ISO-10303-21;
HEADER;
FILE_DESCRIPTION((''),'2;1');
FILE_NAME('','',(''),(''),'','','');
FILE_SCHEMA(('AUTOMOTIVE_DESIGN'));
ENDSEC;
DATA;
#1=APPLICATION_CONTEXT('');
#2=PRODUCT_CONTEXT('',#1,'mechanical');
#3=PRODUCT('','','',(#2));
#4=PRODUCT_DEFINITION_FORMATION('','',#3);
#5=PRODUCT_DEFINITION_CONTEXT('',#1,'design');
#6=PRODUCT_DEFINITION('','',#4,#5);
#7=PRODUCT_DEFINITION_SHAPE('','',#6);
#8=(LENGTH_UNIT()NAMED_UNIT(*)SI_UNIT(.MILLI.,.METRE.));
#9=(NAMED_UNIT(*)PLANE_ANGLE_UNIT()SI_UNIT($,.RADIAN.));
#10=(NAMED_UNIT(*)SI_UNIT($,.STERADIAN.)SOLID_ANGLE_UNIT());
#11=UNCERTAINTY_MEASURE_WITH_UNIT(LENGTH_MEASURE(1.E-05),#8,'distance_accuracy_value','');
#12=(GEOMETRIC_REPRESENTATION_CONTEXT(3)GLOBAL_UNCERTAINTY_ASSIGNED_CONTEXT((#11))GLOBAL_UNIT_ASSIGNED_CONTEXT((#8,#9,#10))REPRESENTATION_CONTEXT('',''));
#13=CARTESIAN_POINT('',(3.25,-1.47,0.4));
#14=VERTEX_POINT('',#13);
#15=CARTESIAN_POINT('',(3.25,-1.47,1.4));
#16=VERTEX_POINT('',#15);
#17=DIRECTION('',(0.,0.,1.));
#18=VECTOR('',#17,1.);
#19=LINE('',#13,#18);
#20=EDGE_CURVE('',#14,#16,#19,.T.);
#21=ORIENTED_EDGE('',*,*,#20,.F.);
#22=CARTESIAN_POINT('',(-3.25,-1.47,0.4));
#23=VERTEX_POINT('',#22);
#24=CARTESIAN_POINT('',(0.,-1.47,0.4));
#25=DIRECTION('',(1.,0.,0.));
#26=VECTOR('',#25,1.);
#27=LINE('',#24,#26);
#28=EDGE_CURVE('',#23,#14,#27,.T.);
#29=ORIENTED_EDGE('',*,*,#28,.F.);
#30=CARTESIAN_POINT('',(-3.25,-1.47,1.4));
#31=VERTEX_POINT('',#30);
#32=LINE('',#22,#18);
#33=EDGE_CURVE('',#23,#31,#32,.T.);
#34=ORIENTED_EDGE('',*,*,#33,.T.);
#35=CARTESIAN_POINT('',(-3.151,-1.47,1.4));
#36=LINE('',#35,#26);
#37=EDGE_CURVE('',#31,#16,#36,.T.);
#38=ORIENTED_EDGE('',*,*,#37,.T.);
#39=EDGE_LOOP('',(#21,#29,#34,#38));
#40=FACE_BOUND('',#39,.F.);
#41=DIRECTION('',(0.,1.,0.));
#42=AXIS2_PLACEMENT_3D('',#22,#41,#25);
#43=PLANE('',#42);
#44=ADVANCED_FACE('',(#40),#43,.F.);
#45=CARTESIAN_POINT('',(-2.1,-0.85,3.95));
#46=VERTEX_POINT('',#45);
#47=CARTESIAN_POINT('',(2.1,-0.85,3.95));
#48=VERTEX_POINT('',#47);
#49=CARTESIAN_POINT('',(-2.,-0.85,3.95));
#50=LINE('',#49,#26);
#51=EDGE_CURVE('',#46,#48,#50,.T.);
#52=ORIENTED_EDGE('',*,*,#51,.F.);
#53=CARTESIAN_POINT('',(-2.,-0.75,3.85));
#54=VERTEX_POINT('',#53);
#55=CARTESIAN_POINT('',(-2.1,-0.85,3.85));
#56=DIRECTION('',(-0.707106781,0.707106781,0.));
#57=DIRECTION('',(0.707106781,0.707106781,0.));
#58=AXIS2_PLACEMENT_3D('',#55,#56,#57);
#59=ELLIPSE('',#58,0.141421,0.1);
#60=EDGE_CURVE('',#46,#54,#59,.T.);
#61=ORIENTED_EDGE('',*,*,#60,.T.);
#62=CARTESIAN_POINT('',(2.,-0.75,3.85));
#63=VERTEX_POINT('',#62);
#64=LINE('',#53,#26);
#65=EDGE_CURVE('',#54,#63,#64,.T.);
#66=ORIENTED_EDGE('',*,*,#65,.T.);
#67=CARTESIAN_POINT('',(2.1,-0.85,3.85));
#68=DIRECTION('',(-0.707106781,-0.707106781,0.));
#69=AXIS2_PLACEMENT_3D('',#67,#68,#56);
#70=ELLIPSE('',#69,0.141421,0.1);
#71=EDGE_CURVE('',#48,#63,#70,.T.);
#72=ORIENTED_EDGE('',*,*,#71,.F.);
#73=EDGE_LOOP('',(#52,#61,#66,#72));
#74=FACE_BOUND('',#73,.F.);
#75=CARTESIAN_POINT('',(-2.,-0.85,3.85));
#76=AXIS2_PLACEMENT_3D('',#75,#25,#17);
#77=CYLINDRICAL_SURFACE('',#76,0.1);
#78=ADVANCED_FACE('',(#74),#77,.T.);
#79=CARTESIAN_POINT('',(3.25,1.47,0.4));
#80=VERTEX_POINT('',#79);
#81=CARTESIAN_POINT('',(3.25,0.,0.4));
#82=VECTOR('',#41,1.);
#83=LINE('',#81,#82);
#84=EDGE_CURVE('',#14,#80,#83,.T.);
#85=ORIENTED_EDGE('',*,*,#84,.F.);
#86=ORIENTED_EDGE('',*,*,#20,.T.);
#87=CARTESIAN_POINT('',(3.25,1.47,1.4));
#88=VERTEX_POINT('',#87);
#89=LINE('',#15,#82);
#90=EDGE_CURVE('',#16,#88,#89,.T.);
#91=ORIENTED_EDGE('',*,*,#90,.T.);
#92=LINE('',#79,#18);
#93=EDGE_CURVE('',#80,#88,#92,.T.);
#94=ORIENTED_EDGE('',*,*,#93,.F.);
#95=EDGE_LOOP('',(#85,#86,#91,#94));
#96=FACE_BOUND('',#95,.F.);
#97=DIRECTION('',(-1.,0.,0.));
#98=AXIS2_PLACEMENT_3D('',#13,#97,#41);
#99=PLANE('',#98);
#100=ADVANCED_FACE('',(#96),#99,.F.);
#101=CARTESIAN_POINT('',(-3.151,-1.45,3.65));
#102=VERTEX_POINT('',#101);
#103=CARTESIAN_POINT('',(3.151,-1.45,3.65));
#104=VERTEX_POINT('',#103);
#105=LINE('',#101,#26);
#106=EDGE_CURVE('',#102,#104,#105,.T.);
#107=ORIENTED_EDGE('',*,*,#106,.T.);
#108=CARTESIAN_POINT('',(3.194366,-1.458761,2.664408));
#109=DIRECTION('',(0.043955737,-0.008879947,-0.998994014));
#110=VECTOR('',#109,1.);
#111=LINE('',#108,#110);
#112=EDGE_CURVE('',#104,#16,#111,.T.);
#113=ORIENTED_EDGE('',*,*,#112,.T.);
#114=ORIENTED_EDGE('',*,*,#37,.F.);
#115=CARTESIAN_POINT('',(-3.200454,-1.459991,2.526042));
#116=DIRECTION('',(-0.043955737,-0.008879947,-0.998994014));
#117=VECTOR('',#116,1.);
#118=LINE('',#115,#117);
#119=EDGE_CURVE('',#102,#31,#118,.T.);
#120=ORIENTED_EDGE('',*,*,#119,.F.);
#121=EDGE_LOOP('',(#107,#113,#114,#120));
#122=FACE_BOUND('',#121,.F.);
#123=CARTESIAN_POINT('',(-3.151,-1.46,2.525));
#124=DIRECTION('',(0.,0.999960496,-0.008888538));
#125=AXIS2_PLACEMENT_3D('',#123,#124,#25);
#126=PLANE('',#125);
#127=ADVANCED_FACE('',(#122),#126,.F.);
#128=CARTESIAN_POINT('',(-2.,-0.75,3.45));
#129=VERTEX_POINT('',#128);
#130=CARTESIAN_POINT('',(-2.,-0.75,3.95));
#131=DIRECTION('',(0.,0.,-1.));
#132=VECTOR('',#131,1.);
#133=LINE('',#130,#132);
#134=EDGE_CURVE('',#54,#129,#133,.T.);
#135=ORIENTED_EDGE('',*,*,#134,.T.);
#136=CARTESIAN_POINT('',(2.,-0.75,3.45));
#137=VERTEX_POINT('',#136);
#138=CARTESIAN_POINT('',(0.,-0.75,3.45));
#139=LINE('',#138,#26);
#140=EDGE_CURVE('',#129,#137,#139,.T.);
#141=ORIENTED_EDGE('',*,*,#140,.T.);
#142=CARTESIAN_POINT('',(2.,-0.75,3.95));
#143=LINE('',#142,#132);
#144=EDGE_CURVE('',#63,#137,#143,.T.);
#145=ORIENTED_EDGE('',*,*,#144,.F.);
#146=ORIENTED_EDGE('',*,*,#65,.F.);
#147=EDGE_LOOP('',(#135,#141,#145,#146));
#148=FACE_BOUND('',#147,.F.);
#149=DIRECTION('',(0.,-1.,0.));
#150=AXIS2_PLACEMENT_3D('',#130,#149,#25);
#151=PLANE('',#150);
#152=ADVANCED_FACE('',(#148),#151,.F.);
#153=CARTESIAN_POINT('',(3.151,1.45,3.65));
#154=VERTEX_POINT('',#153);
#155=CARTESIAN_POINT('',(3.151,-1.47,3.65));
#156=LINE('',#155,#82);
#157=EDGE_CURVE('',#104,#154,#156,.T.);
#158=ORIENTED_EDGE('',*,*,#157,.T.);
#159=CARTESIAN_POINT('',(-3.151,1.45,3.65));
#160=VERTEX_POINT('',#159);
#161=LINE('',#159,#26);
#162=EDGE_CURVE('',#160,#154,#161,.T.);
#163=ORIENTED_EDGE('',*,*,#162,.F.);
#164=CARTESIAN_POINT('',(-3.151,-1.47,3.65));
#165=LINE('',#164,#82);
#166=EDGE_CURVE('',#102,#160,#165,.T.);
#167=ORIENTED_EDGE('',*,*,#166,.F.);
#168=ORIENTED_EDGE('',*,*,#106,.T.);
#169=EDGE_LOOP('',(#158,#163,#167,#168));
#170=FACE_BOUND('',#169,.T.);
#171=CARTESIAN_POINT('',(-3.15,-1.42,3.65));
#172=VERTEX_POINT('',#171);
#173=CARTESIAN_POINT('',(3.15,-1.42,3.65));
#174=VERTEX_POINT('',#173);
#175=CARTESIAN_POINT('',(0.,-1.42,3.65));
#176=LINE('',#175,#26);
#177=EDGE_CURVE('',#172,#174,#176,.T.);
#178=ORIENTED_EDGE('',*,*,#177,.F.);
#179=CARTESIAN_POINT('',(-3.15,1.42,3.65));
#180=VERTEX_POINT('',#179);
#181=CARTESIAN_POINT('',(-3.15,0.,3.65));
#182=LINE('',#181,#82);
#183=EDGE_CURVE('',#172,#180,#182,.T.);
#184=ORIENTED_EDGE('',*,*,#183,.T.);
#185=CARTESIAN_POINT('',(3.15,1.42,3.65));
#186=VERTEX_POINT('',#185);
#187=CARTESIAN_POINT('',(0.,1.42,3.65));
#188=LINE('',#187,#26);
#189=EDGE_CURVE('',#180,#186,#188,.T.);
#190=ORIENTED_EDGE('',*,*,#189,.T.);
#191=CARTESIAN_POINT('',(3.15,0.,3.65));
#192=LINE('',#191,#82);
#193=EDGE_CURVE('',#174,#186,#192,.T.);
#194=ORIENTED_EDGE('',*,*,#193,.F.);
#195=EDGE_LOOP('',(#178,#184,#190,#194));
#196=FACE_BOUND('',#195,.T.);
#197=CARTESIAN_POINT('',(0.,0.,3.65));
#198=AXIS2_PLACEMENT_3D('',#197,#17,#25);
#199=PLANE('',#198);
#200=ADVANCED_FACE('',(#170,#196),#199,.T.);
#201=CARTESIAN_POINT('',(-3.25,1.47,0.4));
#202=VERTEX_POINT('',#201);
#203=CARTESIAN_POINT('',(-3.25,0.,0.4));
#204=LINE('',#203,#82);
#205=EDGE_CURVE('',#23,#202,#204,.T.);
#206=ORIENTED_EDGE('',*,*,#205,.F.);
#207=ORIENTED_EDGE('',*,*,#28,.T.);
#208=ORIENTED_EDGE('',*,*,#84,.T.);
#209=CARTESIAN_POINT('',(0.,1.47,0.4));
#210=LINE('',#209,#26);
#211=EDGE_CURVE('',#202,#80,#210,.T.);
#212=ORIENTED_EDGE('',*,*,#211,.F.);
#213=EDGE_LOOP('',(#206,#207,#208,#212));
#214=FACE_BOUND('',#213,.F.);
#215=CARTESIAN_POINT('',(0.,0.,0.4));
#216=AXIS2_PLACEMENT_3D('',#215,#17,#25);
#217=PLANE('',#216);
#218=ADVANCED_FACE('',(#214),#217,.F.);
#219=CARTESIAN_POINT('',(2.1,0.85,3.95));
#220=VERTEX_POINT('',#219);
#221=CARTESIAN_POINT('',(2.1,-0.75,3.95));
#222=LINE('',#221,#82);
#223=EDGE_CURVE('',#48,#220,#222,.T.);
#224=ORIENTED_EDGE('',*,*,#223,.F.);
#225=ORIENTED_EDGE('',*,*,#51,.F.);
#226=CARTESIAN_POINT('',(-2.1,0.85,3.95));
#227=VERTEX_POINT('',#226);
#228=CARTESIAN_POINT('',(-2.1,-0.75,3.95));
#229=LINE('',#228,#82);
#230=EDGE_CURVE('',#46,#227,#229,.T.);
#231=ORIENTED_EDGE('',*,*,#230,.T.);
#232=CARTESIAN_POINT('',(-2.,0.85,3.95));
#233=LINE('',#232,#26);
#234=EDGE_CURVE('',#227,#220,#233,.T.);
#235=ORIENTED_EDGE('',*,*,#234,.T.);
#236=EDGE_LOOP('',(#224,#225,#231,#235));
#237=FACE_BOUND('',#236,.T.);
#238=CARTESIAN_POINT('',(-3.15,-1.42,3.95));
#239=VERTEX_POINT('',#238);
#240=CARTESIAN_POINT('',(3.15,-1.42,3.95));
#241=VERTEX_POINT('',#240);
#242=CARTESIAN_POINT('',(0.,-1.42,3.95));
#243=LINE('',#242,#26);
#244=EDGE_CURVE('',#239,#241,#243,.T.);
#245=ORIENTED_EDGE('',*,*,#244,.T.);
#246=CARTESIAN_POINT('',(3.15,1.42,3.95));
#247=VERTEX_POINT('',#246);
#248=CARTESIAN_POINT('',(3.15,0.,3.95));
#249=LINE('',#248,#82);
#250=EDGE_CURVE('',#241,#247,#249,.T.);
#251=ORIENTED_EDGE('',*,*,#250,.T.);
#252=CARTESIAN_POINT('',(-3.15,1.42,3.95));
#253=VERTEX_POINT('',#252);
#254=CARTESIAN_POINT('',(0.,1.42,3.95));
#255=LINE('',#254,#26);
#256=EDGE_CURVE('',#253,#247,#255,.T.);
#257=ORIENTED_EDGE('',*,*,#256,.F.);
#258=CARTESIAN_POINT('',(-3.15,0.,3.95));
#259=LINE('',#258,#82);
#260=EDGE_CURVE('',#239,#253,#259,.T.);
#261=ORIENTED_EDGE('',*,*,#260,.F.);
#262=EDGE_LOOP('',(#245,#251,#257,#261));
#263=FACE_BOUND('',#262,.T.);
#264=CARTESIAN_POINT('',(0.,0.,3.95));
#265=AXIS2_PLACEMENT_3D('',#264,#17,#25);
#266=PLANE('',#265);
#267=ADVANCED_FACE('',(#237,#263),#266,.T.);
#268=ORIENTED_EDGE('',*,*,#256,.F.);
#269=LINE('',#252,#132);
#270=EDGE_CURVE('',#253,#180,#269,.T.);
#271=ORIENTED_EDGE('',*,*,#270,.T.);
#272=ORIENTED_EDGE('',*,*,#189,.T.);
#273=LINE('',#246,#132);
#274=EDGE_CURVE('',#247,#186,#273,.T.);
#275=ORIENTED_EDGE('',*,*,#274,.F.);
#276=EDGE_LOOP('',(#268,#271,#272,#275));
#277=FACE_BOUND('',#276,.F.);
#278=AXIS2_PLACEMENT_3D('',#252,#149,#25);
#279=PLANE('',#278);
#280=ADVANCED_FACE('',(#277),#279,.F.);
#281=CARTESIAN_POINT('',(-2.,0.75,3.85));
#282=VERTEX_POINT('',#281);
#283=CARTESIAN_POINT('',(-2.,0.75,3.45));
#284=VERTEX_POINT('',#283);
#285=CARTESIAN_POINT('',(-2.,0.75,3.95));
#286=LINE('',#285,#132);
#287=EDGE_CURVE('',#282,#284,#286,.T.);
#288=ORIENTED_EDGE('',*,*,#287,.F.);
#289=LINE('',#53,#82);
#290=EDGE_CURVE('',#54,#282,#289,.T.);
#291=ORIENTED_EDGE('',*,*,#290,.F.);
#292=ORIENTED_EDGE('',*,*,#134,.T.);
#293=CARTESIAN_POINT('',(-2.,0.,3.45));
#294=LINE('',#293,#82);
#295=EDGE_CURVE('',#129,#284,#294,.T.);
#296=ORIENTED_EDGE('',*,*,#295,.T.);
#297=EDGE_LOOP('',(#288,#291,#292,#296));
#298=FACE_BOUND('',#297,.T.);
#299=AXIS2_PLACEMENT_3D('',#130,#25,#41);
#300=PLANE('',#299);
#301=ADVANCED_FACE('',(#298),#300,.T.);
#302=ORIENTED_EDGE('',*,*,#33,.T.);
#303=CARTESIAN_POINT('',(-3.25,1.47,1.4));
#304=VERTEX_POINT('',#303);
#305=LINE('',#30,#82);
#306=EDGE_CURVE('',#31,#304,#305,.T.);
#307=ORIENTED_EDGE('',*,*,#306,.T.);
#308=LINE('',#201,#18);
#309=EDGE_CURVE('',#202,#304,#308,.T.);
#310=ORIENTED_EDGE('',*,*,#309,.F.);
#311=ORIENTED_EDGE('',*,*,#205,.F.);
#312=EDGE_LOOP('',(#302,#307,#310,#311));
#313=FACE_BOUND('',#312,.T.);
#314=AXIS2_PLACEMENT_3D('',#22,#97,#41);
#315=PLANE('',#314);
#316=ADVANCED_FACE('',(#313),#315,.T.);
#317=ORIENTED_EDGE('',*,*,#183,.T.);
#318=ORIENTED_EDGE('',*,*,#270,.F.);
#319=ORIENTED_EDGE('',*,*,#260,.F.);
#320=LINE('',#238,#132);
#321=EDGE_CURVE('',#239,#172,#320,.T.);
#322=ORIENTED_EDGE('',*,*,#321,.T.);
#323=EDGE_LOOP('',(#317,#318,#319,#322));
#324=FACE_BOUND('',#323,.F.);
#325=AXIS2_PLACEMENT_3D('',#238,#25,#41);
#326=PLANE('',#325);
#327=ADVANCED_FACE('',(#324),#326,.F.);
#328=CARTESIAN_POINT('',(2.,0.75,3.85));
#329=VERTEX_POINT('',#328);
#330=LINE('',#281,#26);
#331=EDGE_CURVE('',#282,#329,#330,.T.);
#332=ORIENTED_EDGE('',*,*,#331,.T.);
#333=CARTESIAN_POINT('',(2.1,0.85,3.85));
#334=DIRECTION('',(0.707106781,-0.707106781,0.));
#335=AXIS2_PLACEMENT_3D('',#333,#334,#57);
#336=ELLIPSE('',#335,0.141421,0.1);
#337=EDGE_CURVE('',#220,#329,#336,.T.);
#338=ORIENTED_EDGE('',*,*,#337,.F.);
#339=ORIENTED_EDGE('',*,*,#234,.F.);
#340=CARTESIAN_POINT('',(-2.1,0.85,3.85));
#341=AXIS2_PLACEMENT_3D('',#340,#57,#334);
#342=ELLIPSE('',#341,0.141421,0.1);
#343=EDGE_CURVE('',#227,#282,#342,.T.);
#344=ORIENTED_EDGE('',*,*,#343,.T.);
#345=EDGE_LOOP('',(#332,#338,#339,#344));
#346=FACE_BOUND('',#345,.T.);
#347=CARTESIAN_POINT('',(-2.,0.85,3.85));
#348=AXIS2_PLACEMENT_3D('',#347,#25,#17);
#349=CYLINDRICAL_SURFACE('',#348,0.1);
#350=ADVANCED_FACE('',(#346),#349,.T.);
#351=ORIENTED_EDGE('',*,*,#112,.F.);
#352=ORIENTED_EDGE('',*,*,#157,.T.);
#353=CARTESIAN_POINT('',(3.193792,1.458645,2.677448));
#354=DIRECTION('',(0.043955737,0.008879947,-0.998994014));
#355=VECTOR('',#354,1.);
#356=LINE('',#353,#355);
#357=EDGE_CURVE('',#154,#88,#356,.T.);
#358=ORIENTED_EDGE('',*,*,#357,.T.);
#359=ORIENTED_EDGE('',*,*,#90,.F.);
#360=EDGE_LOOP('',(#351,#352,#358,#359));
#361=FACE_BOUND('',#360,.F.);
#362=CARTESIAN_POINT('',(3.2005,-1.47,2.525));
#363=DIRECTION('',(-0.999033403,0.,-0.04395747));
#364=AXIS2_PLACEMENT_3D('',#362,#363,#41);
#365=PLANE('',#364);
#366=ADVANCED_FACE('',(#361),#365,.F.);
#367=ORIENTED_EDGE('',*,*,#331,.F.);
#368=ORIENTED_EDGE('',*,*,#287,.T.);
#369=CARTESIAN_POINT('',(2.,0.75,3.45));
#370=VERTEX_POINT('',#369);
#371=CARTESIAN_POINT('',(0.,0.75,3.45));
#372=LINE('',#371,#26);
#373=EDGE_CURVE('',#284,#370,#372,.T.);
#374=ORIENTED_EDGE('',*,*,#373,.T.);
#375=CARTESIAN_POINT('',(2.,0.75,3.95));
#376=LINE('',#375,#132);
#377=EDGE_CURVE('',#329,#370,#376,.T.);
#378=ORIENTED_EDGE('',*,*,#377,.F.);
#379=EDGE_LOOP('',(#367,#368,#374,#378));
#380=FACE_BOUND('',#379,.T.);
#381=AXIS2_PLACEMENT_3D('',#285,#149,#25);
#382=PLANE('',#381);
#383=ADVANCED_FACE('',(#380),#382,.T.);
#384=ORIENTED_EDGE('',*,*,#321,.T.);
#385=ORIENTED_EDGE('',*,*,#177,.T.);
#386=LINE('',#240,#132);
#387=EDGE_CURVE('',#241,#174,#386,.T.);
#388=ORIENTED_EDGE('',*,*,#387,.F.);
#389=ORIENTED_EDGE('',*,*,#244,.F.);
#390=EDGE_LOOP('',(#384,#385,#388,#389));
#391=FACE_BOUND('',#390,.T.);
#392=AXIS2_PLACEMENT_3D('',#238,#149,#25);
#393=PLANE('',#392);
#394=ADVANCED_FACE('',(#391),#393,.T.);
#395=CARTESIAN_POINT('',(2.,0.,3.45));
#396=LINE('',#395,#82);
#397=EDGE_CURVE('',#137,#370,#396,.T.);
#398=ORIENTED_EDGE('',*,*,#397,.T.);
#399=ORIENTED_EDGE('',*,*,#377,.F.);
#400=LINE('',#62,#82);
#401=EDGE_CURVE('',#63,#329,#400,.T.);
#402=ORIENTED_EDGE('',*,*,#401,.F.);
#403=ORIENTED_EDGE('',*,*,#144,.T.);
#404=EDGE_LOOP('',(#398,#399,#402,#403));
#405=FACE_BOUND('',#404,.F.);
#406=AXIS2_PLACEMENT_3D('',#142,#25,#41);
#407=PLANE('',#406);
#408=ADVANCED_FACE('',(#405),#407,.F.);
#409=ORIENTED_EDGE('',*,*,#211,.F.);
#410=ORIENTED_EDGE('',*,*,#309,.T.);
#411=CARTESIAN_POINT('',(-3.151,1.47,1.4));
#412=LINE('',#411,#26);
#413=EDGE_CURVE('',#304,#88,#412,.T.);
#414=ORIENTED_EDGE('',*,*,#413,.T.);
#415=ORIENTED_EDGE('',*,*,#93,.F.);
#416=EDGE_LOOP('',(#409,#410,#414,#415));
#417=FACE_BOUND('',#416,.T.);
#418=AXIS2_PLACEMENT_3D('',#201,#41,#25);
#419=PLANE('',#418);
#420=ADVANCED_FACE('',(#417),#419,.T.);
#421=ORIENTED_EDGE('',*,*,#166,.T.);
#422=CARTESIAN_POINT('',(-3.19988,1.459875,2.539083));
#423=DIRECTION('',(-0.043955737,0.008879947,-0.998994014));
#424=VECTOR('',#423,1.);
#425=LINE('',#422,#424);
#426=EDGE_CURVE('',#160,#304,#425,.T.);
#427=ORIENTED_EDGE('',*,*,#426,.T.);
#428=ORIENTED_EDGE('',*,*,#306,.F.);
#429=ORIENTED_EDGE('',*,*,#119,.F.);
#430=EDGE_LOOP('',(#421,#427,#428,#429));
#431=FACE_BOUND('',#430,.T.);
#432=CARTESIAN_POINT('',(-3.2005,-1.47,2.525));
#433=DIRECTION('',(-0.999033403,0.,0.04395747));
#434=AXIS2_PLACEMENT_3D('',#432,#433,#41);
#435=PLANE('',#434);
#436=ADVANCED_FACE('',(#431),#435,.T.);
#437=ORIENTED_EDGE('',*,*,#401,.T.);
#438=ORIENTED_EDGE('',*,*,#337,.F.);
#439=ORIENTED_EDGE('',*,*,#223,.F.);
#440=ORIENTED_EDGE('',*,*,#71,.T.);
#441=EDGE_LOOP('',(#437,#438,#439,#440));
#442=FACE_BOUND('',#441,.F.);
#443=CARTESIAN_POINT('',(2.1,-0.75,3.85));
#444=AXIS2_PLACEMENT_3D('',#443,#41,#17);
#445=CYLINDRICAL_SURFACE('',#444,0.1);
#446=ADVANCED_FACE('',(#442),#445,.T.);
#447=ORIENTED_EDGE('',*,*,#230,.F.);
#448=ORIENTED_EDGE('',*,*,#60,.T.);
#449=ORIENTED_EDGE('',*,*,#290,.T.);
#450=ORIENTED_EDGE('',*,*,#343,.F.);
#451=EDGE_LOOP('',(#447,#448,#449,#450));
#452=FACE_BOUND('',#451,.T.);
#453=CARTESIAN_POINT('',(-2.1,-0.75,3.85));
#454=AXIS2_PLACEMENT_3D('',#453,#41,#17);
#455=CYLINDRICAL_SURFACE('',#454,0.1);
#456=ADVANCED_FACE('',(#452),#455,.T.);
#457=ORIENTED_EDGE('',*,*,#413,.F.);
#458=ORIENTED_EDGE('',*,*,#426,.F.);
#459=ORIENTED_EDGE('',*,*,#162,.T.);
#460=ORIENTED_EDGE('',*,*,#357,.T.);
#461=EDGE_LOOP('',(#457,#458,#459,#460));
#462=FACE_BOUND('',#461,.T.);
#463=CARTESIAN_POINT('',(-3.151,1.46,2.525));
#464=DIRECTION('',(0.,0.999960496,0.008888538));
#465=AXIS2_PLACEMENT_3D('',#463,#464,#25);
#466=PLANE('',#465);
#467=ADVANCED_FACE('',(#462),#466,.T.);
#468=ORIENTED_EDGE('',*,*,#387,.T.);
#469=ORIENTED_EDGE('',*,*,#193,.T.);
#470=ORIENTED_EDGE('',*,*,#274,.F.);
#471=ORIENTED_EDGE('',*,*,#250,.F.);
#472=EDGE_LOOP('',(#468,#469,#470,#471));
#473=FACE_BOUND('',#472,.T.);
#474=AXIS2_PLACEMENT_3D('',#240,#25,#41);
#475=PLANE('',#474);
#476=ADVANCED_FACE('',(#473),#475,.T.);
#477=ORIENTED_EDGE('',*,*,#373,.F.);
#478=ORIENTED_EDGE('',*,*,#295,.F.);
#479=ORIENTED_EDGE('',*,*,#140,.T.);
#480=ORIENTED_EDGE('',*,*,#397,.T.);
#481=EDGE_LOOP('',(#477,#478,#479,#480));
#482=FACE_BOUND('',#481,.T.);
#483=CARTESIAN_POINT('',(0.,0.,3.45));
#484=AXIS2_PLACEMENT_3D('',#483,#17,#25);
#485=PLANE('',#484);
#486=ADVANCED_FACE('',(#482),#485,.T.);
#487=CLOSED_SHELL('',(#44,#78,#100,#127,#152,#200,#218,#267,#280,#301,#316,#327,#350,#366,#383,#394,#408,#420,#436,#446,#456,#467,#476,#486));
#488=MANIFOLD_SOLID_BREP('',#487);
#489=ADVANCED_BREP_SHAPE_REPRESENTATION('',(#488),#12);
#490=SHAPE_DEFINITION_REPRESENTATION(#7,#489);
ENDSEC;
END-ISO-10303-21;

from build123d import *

# Parameters (mm, degrees)
SKETCH_W         = 6.5
SKETCH_H         = 2.94
PAD_DEPTH        = 3.55
SKETCH001_W      = 6.5
SKETCH001_H      = 2.94
SKETCH001_W_2    = 6.3
SKETCH001_H_2    = 2.84
POCKET_DEPTH     = 0.3
CHAMFER_SIZE2    = 2.25
CHAMFER_SIZE     = 0.099
CHAMFER001_SIZE2 = 2.25
CHAMFER001_SIZE  = 0.099
CHAMFER002_SIZE2 = 2.25
CHAMFER002_SIZE  = 0.02
CHAMFER003_SIZE2 = 2.25
CHAMFER003_SIZE  = 0.02
SKETCH002_W      = 4
SKETCH002_H      = 1.5
POCKET001_DEPTH  = 0.5
FILLET_R         = 0.1


with BuildPart() as part:
    # Sketch → Pad (new body)
    with BuildSketch(Plane.XY):
        Rectangle(SKETCH_W, SKETCH_H)
    extrude(amount=PAD_DEPTH)

    # Sketch001 (on Face6 of Pad) → Pocket (cut)
    with BuildSketch(Plane.XY.offset(3.55)):
        Rectangle(SKETCH001_W, SKETCH001_H)
        Rectangle(SKETCH001_W_2, SKETCH001_H_2, mode=Mode.SUBTRACT)
    extrude(amount=-POCKET_DEPTH, mode=Mode.SUBTRACT)

    # Chamfer
    chamfer_edges = [part.edges().sort_by_distance(p)[0] for p in [
        (-3.25, 0, 3.25),
    ]]
    chamfer_side = part.faces().sort_by_distance((0, -1.462866, 3.25))[0]
    chamfer(chamfer_edges, length=CHAMFER_SIZE, length2=CHAMFER_SIZE2, reference=chamfer_side)

    # Chamfer001
    chamfer001_edges = [part.edges().sort_by_distance(p)[0] for p in [
        (3.25, 0, 3.25),
    ]]
    chamfer001_side = part.faces().sort_by_distance((0.0495, -1.462956, 3.25))[0]
    chamfer(chamfer001_edges, length=CHAMFER001_SIZE, length2=CHAMFER001_SIZE2, reference=chamfer001_side)

    # Chamfer002
    chamfer002_edges = [part.edges().sort_by_distance(p)[0] for p in [
        (0, 1.47, 3.25),
    ]]
    chamfer002_side = part.faces().sort_by_distance((0, -1.463046, 3.25))[0]
    chamfer(chamfer002_edges, length=CHAMFER002_SIZE, length2=CHAMFER002_SIZE2, reference=chamfer002_side)

    # Chamfer003
    chamfer003_edges = [part.edges().sort_by_distance(p)[0] for p in [
        (0, -1.47, 3.25),
    ]]
    chamfer003_side = part.faces().sort_by_distance((0, 1.443054, 3.25))[0]
    chamfer(chamfer003_edges, length=CHAMFER003_SIZE, length2=CHAMFER003_SIZE2, reference=chamfer003_side)

    # Sketch002 (on Face14 of Chamfer003) → Pocket001 (cut)
    with BuildSketch(Plane.XY.offset(3.55)):
        Rectangle(SKETCH002_W, SKETCH002_H)
    extrude(amount=-POCKET001_DEPTH, mode=Mode.SUBTRACT)

    # Fillet
    fillet_edges = [part.edges().sort_by_distance(p)[0] for p in [
        (2, 0, 3.55),
        (0, -0.75, 3.55),
        (0, 0.75, 3.55),
        (-2, 0, 3.55),
    ]]
    fillet(fillet_edges, radius=FILLET_R)


with BuildPart() as part_1:
    # Body placement: moved
    add(part.part.moved(Location((0, 0, 0.4))))


solid = part_1.part
